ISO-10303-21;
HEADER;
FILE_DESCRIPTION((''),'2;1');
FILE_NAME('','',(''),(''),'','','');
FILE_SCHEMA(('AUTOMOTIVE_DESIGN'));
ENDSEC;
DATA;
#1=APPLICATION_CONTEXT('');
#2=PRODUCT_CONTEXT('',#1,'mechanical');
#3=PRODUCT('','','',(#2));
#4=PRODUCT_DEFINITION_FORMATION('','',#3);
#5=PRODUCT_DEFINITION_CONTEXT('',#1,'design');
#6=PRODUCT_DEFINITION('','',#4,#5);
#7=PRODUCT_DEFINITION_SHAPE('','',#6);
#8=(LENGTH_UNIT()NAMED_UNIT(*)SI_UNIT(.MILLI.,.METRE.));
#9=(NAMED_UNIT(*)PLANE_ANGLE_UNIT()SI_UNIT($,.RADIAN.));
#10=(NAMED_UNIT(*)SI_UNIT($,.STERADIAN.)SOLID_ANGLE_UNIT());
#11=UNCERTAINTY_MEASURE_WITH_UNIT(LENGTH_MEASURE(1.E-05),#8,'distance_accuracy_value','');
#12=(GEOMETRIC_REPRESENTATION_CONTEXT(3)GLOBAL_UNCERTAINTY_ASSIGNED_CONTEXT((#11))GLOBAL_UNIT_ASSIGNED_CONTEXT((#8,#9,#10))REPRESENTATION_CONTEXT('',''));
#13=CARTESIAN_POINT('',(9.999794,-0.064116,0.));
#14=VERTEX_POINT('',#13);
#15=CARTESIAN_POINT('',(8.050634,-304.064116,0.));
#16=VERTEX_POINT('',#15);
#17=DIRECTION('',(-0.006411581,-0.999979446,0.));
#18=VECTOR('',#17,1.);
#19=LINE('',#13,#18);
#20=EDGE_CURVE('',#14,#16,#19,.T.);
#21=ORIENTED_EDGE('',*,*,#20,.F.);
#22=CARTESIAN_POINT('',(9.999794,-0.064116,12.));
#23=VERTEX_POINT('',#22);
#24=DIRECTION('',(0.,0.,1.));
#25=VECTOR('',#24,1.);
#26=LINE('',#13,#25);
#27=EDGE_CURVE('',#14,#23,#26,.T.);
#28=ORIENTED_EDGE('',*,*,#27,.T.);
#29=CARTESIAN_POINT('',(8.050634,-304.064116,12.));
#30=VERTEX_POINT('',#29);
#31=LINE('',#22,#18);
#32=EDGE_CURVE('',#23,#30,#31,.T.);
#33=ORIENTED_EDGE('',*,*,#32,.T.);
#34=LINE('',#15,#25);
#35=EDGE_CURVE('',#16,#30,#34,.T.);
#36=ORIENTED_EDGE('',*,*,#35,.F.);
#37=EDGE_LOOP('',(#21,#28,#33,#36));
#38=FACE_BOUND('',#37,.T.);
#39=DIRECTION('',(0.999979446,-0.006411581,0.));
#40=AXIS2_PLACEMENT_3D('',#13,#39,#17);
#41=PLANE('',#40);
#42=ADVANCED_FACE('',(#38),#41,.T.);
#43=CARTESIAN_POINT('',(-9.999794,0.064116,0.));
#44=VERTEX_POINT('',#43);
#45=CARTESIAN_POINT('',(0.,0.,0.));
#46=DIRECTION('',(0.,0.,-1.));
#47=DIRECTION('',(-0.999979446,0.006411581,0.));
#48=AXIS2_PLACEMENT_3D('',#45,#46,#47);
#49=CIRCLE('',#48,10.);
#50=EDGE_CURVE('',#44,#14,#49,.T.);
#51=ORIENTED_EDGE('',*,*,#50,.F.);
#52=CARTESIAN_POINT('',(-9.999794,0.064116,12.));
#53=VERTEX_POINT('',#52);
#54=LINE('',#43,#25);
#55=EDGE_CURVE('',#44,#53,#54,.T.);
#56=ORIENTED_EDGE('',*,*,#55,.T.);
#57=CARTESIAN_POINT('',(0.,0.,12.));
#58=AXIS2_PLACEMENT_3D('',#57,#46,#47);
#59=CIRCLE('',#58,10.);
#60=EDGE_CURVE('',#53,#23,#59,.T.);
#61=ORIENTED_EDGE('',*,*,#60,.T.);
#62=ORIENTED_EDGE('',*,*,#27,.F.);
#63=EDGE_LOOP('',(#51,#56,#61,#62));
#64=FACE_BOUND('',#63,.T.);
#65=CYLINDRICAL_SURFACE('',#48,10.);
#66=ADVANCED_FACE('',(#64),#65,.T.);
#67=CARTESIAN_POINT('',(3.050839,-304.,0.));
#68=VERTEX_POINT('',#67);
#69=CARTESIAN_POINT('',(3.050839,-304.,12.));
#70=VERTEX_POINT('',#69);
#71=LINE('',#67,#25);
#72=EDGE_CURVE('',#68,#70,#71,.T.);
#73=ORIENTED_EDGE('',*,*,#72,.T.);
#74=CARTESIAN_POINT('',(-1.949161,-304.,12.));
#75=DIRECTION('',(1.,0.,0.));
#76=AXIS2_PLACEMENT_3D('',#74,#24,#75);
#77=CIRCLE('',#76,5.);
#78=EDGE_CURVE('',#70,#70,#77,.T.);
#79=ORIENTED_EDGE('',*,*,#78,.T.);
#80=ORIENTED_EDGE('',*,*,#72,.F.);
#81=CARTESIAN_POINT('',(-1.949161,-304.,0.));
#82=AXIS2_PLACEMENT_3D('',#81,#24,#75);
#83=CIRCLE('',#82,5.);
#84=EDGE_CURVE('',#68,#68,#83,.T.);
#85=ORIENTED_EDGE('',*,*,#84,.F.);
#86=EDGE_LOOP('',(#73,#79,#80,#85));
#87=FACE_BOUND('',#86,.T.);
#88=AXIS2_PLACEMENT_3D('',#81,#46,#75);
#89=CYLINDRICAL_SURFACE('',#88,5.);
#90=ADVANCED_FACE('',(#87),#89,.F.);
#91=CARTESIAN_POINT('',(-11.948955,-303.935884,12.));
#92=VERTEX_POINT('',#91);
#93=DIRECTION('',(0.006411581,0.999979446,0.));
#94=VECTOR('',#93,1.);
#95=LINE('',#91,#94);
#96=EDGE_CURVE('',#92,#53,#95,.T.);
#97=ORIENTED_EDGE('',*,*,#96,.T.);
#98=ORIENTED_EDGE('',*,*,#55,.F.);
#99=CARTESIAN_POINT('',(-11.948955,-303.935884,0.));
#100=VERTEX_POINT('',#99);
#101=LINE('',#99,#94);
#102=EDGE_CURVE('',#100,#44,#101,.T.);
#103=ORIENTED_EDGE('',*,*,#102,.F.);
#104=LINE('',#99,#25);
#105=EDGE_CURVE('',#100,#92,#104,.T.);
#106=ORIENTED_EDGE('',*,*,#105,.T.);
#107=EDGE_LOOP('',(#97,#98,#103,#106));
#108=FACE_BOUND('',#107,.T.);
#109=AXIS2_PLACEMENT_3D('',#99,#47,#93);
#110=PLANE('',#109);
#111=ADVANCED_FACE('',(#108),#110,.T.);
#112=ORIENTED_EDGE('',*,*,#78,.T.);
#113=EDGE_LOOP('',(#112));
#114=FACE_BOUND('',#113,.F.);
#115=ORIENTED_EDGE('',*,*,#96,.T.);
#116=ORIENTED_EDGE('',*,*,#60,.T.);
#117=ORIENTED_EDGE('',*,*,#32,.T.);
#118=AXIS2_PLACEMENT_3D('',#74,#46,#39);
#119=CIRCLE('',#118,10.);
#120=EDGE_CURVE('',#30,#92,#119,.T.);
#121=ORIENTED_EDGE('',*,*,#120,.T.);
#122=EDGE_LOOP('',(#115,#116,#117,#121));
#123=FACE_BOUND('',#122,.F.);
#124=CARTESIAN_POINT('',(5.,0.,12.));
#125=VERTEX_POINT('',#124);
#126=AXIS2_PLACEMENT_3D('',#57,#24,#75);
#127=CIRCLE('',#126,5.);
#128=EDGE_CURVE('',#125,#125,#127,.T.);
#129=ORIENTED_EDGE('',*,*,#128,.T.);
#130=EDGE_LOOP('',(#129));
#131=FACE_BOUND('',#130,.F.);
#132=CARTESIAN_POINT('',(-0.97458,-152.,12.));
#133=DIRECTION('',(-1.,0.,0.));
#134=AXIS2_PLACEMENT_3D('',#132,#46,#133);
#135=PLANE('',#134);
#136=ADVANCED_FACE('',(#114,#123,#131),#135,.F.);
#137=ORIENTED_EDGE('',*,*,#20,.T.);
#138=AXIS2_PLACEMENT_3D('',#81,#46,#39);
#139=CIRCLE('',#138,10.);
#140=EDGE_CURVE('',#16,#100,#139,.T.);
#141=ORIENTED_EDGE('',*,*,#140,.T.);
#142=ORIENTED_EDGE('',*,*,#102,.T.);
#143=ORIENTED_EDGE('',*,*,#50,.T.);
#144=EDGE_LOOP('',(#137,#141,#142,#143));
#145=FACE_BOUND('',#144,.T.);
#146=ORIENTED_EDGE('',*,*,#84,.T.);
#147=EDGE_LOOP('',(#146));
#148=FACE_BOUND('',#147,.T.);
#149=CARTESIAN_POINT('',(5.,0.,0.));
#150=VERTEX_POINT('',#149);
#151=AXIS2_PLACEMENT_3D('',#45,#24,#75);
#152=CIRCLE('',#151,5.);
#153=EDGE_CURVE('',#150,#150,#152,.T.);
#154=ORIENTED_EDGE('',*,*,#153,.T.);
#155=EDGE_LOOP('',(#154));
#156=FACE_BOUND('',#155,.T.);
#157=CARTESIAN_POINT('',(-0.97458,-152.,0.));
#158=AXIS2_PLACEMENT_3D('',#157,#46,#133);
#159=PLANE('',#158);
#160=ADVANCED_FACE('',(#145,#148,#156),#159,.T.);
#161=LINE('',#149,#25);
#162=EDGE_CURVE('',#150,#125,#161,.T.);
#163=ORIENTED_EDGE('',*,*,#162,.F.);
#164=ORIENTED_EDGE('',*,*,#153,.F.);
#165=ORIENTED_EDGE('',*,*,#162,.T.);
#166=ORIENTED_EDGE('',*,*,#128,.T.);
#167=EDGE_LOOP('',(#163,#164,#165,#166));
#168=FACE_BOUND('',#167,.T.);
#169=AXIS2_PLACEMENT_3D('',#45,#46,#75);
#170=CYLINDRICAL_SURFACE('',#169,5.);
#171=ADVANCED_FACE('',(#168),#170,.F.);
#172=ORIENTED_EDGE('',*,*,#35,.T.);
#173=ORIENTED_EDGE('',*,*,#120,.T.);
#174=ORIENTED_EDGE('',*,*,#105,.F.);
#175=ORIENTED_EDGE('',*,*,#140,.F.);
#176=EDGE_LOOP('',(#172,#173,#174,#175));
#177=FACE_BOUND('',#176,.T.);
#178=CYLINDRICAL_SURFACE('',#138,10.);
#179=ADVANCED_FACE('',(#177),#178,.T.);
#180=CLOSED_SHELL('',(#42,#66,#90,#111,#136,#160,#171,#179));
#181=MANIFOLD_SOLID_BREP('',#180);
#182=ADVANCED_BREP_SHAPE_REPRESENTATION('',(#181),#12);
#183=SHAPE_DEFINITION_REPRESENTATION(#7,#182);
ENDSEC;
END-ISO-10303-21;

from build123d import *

# Parameters (mm, degrees)
SKETCH1_R           = 5
BOSS_EXTRUDE1_DEPTH = 12


with BuildPart() as part:
    # Sketch1 → Boss-Extrude1 (new body)
    with BuildSketch(Plane.XY):
        with BuildLine():
            Line((9.999794456, -0.064115809), (8.050633785, -304.064115809))
            ThreePointArc((8.050633785, -304.064115809), (-2.013276481, -313.999794456), (-11.948955127, -303.935884191))
            Line((-11.948955127, -303.935884191), (-9.999794456, 0.064115809))
            ThreePointArc((-9.999794456, 0.064115809), (0.064115809, 9.999794456), (9.999794456, -0.064115809))
        make_face()
        with Locations((-1.949160671, -304)):
            Circle(SKETCH1_R, mode=Mode.SUBTRACT)
        Circle(SKETCH1_R, mode=Mode.SUBTRACT)
    extrude(amount=BOSS_EXTRUDE1_DEPTH)


solid = part.part
